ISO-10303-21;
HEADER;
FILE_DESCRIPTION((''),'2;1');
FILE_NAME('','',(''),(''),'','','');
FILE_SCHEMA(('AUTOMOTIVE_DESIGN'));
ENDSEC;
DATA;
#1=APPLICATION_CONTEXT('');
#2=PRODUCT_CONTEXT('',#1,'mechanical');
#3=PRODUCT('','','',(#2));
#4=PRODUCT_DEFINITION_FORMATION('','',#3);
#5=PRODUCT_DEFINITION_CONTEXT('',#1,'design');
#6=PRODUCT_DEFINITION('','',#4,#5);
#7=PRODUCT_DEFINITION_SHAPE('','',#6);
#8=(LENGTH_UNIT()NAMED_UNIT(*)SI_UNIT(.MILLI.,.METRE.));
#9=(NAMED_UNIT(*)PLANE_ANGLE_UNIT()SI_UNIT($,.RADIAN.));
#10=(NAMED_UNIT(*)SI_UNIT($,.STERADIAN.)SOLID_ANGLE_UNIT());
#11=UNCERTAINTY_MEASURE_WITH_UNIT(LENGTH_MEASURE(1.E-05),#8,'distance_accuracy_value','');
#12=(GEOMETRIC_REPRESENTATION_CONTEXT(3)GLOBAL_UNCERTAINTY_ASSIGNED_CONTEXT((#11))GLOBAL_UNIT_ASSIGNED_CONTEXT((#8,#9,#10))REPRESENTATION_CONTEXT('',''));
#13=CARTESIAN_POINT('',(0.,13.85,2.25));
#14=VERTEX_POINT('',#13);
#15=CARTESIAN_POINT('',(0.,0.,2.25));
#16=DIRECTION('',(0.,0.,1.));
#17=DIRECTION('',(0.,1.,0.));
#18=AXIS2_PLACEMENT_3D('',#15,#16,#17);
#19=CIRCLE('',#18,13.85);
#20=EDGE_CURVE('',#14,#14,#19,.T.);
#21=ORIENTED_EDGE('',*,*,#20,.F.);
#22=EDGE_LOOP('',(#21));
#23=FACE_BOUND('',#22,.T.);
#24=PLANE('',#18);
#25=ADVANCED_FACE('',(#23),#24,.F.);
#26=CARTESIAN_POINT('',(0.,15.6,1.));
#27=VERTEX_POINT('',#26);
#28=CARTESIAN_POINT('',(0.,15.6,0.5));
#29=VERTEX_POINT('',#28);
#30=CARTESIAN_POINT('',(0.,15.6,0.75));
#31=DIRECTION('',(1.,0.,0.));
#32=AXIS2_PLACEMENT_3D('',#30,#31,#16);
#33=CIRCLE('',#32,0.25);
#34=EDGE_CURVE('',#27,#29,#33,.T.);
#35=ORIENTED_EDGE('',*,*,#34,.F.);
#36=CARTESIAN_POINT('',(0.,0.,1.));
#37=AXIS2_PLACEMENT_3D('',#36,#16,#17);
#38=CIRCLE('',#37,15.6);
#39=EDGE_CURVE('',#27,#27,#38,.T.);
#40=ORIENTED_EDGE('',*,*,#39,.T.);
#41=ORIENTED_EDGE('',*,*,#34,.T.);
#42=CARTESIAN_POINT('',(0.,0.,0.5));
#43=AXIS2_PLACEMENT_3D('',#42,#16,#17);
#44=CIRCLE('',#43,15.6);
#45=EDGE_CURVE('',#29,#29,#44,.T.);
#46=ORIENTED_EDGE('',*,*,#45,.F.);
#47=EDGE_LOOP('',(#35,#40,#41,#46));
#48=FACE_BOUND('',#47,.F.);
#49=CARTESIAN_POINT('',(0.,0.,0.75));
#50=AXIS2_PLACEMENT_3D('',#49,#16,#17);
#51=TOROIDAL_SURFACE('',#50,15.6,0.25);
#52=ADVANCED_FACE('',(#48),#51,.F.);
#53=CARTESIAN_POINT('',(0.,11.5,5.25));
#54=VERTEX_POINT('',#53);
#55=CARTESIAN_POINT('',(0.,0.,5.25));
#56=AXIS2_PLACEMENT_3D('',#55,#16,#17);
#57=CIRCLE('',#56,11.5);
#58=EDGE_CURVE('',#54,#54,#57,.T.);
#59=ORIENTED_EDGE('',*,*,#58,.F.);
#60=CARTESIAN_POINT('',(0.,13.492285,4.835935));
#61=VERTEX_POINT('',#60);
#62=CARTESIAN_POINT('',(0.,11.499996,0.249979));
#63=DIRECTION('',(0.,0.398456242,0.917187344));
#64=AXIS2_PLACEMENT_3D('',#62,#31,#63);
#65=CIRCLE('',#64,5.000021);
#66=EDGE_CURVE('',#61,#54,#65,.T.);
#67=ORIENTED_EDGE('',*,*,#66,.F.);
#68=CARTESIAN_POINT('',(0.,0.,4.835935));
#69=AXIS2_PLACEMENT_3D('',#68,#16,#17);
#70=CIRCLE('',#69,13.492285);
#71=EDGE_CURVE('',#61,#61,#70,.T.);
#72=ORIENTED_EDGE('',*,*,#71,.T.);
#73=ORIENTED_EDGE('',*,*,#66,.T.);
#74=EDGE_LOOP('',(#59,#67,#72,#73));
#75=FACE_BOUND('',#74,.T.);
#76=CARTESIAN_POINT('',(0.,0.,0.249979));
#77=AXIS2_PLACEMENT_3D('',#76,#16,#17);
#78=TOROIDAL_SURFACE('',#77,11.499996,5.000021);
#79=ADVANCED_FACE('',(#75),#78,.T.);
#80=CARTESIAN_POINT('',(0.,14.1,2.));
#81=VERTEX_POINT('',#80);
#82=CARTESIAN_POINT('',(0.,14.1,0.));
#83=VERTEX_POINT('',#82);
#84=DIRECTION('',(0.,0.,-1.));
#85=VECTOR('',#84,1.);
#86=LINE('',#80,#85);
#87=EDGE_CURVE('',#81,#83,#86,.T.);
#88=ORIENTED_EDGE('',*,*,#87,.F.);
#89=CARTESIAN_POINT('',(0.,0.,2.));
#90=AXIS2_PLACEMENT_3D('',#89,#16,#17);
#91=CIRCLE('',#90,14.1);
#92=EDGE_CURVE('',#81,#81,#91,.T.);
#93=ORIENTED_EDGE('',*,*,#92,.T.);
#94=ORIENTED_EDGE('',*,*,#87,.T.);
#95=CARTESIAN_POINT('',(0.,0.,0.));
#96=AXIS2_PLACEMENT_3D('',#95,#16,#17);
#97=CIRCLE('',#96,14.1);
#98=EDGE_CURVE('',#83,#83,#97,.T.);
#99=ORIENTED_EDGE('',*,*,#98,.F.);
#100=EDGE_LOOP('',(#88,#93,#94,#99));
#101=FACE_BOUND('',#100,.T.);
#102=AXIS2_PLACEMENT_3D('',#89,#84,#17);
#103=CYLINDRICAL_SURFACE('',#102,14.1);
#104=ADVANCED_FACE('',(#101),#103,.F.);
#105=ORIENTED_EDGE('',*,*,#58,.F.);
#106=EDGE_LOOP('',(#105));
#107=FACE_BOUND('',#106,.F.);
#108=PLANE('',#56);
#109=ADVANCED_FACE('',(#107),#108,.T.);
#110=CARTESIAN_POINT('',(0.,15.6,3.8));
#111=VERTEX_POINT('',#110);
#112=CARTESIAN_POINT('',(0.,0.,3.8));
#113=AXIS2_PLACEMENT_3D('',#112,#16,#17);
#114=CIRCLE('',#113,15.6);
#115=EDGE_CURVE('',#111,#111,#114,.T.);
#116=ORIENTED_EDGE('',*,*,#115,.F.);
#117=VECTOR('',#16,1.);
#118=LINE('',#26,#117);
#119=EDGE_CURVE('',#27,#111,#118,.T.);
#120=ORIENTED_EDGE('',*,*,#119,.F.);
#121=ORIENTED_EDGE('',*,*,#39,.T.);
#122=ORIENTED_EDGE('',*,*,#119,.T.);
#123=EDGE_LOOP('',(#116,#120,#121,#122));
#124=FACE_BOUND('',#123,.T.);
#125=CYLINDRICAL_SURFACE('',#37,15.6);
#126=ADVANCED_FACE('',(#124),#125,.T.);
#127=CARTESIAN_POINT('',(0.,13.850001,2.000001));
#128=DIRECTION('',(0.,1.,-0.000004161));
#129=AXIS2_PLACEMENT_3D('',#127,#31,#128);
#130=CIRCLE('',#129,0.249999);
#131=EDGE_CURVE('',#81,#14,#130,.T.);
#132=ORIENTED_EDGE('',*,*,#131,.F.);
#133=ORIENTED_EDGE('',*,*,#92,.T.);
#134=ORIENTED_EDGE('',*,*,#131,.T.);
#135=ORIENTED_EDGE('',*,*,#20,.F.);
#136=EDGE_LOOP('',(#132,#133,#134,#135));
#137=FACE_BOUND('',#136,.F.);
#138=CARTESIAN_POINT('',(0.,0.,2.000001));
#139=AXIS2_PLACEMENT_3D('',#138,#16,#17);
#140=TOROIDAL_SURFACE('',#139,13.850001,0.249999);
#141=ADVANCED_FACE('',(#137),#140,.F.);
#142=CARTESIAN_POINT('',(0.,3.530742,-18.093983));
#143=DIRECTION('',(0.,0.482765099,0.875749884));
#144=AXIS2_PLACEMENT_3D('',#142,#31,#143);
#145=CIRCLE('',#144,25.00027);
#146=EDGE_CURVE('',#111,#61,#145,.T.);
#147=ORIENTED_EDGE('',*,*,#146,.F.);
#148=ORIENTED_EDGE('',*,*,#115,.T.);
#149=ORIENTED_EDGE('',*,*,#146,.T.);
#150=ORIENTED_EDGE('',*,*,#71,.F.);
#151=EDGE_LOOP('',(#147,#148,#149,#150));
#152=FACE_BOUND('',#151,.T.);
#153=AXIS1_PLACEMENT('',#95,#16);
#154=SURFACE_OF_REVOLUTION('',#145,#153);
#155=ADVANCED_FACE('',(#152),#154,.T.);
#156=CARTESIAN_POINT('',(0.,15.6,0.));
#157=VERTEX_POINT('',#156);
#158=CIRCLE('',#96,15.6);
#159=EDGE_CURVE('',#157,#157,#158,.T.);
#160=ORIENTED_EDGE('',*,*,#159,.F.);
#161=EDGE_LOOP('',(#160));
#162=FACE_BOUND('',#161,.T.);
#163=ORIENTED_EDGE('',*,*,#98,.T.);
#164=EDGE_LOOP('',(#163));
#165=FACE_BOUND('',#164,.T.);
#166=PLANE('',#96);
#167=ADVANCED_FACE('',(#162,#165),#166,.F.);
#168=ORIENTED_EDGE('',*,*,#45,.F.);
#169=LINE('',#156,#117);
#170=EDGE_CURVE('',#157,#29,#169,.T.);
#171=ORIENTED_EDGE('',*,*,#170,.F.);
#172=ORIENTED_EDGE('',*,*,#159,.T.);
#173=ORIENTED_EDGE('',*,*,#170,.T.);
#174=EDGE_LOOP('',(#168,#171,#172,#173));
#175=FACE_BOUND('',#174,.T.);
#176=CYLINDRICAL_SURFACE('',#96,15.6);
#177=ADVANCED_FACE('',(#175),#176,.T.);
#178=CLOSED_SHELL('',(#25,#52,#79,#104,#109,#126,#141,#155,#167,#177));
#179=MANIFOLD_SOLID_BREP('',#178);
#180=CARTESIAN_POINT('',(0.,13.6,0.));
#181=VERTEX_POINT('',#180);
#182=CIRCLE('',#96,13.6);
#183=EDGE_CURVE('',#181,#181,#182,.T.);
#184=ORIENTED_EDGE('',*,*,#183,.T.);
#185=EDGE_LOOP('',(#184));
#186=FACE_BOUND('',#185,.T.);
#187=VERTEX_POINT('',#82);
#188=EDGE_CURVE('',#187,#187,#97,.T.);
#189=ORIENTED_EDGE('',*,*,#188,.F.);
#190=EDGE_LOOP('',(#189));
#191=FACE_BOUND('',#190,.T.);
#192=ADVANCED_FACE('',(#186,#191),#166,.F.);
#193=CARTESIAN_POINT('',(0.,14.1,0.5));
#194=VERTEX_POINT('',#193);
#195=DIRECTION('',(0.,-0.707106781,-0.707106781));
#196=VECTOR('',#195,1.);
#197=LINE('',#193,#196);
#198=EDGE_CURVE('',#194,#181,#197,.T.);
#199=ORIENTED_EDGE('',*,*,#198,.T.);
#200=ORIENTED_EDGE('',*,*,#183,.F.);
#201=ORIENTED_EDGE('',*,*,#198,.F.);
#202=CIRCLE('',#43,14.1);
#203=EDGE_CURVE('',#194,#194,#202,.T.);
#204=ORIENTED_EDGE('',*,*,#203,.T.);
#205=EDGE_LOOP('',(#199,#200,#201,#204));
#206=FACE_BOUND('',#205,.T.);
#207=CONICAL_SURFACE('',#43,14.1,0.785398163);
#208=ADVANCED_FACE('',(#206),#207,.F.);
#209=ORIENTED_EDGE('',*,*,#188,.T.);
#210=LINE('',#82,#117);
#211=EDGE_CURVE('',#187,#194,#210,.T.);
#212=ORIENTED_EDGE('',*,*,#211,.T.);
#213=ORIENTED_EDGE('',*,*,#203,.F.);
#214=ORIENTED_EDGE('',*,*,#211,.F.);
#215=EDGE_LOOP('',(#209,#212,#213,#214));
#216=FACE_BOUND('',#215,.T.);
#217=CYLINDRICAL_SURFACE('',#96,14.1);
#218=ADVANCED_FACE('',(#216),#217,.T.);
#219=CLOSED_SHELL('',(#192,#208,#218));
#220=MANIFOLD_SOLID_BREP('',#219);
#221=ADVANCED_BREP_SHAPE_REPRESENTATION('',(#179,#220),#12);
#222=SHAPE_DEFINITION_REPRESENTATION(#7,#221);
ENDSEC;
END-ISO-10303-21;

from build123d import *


with BuildPart() as crystal:
    # Sketch002 → Revolution001 (revolve)
    with BuildSketch(Plane.YZ):
        with BuildLine():
            Line((14.1, 2), (14.1, 0))
            Line((14.1, 0), (15.6, 0))
            Line((15.6, 0), (15.6, 0.5))
            ThreePointArc((15.6, 1), (15.35, 0.75), (15.6, 0.5))
            Line((15.6, 1), (15.6, 3.8))
            ThreePointArc((15.6, 3.8), (14.558314, 4.342731), (13.492285, 4.835935))
            ThreePointArc((13.492285, 4.835935), (12.517429, 5.145389), (11.5, 5.25))
            Line((0, 5.25), (11.5, 5.25))
            Line((0, 5.25), (0, 2.25))
            Line((0, 2.25), (13.85, 2.25))
            ThreePointArc((14.1, 2), (14.026777, 2.176777), (13.85, 2.25))
        make_face()
    revolve(axis=Axis((0, 0, 0), (0, 0, 1)))


with BuildPart() as tensionring:
    # Sketch → Revolution (revolve)
    with BuildSketch(Plane.YZ):
        Polygon((13.6, 0), (14.1, 0), (14.1, 0.5), align=None)
    revolve(axis=Axis((0, 0, 0), (0, 0, 1)))


solid = Compound([crystal.part, tensionring.part])
